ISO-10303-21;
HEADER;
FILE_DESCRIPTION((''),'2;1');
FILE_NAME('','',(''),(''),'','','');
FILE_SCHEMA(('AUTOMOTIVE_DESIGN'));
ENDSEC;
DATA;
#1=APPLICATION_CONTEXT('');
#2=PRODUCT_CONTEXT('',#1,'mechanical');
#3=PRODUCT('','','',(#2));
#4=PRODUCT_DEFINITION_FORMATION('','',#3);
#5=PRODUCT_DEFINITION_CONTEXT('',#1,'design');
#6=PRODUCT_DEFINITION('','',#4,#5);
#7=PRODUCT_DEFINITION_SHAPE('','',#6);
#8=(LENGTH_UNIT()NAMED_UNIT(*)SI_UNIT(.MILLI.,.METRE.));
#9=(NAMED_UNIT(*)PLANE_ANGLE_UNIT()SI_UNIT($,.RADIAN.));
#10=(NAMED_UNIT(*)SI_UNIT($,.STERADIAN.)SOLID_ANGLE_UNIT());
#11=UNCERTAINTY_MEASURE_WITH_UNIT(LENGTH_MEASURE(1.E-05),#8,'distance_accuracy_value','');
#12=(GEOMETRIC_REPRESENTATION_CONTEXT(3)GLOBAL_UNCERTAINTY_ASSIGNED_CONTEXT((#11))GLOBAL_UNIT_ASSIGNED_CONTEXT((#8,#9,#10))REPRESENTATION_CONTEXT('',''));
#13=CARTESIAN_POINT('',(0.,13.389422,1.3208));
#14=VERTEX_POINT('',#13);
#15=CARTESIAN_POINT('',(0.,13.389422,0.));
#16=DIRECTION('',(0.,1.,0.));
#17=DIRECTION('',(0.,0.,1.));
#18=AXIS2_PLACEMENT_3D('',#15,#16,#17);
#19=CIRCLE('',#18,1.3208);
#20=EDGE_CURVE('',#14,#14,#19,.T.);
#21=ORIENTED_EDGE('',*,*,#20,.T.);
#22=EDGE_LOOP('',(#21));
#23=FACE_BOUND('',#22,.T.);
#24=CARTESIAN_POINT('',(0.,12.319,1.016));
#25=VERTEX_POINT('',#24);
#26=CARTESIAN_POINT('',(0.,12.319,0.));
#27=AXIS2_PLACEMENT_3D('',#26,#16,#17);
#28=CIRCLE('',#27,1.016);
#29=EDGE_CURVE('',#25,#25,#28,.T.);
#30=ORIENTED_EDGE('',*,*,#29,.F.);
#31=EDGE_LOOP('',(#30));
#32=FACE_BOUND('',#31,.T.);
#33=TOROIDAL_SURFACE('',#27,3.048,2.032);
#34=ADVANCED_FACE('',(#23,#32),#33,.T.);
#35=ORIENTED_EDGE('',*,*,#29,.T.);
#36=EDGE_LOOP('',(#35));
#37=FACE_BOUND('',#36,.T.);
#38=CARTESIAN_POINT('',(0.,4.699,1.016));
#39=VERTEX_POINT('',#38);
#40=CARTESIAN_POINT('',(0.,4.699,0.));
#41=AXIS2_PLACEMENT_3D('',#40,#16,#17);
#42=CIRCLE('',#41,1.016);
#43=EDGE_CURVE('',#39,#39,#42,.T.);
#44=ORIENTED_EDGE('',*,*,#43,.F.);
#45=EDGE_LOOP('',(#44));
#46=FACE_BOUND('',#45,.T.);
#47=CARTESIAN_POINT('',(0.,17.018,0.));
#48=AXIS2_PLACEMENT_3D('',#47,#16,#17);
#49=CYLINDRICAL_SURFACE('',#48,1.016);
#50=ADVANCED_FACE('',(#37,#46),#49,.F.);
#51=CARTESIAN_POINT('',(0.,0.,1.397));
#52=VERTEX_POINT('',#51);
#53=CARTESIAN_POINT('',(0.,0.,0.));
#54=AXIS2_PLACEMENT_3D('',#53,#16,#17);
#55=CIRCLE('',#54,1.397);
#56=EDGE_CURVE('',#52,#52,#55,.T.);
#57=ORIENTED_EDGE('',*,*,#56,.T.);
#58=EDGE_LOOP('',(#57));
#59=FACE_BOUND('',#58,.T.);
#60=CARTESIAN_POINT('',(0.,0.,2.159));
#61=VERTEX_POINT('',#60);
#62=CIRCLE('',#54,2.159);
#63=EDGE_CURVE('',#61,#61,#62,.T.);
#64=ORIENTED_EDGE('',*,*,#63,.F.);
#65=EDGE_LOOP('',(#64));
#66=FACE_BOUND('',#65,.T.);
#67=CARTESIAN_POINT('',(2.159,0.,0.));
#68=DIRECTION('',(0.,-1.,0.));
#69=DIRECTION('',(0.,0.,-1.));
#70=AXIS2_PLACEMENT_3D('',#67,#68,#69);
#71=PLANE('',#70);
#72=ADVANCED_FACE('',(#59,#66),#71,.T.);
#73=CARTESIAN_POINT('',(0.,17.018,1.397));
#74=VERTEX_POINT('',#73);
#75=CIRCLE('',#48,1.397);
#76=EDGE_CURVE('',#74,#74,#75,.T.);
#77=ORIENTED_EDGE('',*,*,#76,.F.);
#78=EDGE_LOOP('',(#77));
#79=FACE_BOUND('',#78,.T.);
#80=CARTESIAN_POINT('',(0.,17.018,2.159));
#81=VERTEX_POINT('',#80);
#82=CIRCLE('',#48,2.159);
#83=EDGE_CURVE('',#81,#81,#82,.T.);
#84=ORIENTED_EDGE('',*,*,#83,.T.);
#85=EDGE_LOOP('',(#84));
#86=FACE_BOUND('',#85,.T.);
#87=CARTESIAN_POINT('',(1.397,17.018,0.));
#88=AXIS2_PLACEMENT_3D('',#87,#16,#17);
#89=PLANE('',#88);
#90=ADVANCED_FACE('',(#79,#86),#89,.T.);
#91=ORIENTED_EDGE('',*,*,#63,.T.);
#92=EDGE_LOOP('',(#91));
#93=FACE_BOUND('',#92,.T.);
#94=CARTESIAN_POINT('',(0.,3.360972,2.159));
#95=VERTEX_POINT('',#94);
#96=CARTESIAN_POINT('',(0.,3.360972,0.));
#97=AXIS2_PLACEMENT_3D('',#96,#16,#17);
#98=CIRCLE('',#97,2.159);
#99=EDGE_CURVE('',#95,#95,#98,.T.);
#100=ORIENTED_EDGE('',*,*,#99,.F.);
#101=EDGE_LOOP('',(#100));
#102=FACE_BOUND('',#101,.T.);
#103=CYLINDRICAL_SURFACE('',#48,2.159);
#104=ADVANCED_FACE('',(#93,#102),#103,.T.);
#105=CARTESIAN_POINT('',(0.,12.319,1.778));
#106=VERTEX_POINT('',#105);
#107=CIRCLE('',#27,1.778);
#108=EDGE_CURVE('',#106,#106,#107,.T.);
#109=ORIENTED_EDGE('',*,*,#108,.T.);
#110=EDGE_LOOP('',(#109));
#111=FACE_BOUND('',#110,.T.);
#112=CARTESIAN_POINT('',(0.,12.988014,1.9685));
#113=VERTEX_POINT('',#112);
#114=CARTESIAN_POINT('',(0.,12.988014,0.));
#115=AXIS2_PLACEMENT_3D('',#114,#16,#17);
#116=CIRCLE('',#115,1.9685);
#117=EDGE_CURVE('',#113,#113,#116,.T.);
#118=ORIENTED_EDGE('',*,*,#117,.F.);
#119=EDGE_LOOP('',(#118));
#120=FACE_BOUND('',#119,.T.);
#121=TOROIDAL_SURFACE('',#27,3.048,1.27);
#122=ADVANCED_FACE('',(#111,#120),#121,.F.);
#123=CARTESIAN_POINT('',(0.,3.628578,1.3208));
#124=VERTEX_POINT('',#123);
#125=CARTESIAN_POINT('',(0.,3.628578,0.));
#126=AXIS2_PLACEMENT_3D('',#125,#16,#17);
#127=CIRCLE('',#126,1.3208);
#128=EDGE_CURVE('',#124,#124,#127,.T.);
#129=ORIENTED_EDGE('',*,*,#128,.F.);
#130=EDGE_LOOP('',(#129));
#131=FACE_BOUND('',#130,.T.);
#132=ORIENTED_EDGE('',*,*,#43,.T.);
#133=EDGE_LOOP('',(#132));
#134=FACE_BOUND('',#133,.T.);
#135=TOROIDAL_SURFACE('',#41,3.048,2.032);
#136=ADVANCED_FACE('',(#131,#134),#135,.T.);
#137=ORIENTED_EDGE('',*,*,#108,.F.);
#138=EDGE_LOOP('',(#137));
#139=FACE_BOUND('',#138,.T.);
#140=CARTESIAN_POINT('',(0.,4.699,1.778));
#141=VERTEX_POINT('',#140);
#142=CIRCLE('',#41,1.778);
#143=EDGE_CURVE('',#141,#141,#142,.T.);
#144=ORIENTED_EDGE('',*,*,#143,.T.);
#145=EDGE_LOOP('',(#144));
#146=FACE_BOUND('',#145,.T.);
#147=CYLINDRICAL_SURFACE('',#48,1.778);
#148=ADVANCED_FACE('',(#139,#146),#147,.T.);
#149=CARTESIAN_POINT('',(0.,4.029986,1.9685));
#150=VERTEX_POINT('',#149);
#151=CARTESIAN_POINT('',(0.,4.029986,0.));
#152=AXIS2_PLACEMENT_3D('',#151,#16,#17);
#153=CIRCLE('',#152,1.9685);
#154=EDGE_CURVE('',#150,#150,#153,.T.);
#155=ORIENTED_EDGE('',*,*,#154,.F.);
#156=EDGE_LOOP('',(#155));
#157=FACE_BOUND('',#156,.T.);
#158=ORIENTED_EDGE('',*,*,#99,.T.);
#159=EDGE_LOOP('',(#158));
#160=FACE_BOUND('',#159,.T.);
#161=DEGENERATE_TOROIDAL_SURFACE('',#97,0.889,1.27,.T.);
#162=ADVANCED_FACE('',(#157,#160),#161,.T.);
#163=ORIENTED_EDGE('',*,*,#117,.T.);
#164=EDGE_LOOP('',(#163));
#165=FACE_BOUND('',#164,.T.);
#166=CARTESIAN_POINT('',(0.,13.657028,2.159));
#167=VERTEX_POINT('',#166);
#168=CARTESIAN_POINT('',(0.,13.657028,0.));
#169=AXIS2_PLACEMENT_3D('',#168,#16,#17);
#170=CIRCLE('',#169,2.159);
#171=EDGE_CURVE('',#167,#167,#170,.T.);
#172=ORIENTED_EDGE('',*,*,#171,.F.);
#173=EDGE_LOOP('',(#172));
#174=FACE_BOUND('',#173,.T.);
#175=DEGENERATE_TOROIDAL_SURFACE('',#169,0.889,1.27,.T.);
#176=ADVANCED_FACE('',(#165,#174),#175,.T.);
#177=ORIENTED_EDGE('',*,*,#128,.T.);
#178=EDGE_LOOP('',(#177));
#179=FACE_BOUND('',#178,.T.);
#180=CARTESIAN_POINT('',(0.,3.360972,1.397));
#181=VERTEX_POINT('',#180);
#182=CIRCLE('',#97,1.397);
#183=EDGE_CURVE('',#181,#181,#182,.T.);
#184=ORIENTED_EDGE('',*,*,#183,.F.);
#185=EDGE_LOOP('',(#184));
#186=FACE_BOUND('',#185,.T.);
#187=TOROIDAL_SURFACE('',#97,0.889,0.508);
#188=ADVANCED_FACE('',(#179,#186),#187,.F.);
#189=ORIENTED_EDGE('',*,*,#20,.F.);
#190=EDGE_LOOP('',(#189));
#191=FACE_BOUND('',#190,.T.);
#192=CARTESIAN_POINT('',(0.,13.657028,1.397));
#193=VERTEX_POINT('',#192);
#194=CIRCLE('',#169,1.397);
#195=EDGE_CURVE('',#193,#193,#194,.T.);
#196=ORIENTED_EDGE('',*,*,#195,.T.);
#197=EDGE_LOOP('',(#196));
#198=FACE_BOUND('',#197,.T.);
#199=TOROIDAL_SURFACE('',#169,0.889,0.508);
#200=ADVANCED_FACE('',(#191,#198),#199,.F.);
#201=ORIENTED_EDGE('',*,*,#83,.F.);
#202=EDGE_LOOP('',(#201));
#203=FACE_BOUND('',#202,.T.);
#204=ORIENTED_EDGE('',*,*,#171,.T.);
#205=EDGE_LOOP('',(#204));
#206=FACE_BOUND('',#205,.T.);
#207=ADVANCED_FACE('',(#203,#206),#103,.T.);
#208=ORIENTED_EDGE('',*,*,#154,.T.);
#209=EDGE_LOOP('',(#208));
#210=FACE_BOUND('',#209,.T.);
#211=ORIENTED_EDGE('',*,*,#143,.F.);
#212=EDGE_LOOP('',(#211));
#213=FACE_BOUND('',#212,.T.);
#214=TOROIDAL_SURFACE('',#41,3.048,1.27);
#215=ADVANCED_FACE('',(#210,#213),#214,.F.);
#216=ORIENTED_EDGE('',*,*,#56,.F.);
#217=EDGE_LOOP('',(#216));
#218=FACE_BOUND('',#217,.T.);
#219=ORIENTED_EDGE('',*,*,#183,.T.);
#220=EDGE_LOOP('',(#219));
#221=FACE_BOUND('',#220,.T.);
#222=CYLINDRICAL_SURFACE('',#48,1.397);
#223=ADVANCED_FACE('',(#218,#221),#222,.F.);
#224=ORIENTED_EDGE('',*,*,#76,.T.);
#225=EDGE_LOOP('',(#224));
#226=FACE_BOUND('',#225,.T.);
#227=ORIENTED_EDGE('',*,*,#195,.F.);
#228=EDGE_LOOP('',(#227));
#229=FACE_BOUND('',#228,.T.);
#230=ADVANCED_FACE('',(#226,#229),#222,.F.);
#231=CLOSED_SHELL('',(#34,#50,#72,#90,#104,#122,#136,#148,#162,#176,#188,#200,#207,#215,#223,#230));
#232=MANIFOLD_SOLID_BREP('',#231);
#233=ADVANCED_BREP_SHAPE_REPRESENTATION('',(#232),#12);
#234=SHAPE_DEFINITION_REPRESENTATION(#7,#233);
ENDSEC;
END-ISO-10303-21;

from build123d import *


with BuildPart() as part:
    # Sketch1 → Revolve-Thin1 (revolve)
    with BuildSketch(Plane.XY):
        with BuildLine():
            Line((2.159, 17.018), (2.159, 13.657028027))
            ThreePointArc((2.159, 13.657028027), (2.110446888, 13.309224203), (1.9685, 12.988014013))
            ThreePointArc((1.9685, 12.988014013), (1.826553112, 12.666803824), (1.778, 12.319))
            Line((1.778, 12.319), (1.778, 4.699))
            ThreePointArc((1.778, 4.699), (1.826553112, 4.351196176), (1.9685, 4.029985987))
            ThreePointArc((1.9685, 4.029985987), (2.110446888, 3.708775797), (2.159, 3.360971973))
            Line((2.159, 3.360971973), (2.159, 0))
            Line((2.159, 0), (1.397, 0))
            Line((1.397, 0), (1.397, 3.360971973))
            ThreePointArc((1.397, 3.360971973), (1.377578755, 3.500093503), (1.3208, 3.628577579))
            ThreePointArc((1.3208, 3.628577579), (1.093684979, 4.142513882), (1.016, 4.699))
            Line((1.016, 4.699), (1.016, 12.319))
            ThreePointArc((1.016, 12.319), (1.093684979, 12.875486118), (1.3208, 13.389422421))
            ThreePointArc((1.3208, 13.389422421), (1.377578755, 13.517906497), (1.397, 13.657028027))
            Line((1.397, 13.657028027), (1.397, 17.018))
            Line((1.397, 17.018), (2.159, 17.018))
        make_face()
    revolve(axis=Axis((0, 17.018, 0), (0, -1, 0)))


solid = part.part
